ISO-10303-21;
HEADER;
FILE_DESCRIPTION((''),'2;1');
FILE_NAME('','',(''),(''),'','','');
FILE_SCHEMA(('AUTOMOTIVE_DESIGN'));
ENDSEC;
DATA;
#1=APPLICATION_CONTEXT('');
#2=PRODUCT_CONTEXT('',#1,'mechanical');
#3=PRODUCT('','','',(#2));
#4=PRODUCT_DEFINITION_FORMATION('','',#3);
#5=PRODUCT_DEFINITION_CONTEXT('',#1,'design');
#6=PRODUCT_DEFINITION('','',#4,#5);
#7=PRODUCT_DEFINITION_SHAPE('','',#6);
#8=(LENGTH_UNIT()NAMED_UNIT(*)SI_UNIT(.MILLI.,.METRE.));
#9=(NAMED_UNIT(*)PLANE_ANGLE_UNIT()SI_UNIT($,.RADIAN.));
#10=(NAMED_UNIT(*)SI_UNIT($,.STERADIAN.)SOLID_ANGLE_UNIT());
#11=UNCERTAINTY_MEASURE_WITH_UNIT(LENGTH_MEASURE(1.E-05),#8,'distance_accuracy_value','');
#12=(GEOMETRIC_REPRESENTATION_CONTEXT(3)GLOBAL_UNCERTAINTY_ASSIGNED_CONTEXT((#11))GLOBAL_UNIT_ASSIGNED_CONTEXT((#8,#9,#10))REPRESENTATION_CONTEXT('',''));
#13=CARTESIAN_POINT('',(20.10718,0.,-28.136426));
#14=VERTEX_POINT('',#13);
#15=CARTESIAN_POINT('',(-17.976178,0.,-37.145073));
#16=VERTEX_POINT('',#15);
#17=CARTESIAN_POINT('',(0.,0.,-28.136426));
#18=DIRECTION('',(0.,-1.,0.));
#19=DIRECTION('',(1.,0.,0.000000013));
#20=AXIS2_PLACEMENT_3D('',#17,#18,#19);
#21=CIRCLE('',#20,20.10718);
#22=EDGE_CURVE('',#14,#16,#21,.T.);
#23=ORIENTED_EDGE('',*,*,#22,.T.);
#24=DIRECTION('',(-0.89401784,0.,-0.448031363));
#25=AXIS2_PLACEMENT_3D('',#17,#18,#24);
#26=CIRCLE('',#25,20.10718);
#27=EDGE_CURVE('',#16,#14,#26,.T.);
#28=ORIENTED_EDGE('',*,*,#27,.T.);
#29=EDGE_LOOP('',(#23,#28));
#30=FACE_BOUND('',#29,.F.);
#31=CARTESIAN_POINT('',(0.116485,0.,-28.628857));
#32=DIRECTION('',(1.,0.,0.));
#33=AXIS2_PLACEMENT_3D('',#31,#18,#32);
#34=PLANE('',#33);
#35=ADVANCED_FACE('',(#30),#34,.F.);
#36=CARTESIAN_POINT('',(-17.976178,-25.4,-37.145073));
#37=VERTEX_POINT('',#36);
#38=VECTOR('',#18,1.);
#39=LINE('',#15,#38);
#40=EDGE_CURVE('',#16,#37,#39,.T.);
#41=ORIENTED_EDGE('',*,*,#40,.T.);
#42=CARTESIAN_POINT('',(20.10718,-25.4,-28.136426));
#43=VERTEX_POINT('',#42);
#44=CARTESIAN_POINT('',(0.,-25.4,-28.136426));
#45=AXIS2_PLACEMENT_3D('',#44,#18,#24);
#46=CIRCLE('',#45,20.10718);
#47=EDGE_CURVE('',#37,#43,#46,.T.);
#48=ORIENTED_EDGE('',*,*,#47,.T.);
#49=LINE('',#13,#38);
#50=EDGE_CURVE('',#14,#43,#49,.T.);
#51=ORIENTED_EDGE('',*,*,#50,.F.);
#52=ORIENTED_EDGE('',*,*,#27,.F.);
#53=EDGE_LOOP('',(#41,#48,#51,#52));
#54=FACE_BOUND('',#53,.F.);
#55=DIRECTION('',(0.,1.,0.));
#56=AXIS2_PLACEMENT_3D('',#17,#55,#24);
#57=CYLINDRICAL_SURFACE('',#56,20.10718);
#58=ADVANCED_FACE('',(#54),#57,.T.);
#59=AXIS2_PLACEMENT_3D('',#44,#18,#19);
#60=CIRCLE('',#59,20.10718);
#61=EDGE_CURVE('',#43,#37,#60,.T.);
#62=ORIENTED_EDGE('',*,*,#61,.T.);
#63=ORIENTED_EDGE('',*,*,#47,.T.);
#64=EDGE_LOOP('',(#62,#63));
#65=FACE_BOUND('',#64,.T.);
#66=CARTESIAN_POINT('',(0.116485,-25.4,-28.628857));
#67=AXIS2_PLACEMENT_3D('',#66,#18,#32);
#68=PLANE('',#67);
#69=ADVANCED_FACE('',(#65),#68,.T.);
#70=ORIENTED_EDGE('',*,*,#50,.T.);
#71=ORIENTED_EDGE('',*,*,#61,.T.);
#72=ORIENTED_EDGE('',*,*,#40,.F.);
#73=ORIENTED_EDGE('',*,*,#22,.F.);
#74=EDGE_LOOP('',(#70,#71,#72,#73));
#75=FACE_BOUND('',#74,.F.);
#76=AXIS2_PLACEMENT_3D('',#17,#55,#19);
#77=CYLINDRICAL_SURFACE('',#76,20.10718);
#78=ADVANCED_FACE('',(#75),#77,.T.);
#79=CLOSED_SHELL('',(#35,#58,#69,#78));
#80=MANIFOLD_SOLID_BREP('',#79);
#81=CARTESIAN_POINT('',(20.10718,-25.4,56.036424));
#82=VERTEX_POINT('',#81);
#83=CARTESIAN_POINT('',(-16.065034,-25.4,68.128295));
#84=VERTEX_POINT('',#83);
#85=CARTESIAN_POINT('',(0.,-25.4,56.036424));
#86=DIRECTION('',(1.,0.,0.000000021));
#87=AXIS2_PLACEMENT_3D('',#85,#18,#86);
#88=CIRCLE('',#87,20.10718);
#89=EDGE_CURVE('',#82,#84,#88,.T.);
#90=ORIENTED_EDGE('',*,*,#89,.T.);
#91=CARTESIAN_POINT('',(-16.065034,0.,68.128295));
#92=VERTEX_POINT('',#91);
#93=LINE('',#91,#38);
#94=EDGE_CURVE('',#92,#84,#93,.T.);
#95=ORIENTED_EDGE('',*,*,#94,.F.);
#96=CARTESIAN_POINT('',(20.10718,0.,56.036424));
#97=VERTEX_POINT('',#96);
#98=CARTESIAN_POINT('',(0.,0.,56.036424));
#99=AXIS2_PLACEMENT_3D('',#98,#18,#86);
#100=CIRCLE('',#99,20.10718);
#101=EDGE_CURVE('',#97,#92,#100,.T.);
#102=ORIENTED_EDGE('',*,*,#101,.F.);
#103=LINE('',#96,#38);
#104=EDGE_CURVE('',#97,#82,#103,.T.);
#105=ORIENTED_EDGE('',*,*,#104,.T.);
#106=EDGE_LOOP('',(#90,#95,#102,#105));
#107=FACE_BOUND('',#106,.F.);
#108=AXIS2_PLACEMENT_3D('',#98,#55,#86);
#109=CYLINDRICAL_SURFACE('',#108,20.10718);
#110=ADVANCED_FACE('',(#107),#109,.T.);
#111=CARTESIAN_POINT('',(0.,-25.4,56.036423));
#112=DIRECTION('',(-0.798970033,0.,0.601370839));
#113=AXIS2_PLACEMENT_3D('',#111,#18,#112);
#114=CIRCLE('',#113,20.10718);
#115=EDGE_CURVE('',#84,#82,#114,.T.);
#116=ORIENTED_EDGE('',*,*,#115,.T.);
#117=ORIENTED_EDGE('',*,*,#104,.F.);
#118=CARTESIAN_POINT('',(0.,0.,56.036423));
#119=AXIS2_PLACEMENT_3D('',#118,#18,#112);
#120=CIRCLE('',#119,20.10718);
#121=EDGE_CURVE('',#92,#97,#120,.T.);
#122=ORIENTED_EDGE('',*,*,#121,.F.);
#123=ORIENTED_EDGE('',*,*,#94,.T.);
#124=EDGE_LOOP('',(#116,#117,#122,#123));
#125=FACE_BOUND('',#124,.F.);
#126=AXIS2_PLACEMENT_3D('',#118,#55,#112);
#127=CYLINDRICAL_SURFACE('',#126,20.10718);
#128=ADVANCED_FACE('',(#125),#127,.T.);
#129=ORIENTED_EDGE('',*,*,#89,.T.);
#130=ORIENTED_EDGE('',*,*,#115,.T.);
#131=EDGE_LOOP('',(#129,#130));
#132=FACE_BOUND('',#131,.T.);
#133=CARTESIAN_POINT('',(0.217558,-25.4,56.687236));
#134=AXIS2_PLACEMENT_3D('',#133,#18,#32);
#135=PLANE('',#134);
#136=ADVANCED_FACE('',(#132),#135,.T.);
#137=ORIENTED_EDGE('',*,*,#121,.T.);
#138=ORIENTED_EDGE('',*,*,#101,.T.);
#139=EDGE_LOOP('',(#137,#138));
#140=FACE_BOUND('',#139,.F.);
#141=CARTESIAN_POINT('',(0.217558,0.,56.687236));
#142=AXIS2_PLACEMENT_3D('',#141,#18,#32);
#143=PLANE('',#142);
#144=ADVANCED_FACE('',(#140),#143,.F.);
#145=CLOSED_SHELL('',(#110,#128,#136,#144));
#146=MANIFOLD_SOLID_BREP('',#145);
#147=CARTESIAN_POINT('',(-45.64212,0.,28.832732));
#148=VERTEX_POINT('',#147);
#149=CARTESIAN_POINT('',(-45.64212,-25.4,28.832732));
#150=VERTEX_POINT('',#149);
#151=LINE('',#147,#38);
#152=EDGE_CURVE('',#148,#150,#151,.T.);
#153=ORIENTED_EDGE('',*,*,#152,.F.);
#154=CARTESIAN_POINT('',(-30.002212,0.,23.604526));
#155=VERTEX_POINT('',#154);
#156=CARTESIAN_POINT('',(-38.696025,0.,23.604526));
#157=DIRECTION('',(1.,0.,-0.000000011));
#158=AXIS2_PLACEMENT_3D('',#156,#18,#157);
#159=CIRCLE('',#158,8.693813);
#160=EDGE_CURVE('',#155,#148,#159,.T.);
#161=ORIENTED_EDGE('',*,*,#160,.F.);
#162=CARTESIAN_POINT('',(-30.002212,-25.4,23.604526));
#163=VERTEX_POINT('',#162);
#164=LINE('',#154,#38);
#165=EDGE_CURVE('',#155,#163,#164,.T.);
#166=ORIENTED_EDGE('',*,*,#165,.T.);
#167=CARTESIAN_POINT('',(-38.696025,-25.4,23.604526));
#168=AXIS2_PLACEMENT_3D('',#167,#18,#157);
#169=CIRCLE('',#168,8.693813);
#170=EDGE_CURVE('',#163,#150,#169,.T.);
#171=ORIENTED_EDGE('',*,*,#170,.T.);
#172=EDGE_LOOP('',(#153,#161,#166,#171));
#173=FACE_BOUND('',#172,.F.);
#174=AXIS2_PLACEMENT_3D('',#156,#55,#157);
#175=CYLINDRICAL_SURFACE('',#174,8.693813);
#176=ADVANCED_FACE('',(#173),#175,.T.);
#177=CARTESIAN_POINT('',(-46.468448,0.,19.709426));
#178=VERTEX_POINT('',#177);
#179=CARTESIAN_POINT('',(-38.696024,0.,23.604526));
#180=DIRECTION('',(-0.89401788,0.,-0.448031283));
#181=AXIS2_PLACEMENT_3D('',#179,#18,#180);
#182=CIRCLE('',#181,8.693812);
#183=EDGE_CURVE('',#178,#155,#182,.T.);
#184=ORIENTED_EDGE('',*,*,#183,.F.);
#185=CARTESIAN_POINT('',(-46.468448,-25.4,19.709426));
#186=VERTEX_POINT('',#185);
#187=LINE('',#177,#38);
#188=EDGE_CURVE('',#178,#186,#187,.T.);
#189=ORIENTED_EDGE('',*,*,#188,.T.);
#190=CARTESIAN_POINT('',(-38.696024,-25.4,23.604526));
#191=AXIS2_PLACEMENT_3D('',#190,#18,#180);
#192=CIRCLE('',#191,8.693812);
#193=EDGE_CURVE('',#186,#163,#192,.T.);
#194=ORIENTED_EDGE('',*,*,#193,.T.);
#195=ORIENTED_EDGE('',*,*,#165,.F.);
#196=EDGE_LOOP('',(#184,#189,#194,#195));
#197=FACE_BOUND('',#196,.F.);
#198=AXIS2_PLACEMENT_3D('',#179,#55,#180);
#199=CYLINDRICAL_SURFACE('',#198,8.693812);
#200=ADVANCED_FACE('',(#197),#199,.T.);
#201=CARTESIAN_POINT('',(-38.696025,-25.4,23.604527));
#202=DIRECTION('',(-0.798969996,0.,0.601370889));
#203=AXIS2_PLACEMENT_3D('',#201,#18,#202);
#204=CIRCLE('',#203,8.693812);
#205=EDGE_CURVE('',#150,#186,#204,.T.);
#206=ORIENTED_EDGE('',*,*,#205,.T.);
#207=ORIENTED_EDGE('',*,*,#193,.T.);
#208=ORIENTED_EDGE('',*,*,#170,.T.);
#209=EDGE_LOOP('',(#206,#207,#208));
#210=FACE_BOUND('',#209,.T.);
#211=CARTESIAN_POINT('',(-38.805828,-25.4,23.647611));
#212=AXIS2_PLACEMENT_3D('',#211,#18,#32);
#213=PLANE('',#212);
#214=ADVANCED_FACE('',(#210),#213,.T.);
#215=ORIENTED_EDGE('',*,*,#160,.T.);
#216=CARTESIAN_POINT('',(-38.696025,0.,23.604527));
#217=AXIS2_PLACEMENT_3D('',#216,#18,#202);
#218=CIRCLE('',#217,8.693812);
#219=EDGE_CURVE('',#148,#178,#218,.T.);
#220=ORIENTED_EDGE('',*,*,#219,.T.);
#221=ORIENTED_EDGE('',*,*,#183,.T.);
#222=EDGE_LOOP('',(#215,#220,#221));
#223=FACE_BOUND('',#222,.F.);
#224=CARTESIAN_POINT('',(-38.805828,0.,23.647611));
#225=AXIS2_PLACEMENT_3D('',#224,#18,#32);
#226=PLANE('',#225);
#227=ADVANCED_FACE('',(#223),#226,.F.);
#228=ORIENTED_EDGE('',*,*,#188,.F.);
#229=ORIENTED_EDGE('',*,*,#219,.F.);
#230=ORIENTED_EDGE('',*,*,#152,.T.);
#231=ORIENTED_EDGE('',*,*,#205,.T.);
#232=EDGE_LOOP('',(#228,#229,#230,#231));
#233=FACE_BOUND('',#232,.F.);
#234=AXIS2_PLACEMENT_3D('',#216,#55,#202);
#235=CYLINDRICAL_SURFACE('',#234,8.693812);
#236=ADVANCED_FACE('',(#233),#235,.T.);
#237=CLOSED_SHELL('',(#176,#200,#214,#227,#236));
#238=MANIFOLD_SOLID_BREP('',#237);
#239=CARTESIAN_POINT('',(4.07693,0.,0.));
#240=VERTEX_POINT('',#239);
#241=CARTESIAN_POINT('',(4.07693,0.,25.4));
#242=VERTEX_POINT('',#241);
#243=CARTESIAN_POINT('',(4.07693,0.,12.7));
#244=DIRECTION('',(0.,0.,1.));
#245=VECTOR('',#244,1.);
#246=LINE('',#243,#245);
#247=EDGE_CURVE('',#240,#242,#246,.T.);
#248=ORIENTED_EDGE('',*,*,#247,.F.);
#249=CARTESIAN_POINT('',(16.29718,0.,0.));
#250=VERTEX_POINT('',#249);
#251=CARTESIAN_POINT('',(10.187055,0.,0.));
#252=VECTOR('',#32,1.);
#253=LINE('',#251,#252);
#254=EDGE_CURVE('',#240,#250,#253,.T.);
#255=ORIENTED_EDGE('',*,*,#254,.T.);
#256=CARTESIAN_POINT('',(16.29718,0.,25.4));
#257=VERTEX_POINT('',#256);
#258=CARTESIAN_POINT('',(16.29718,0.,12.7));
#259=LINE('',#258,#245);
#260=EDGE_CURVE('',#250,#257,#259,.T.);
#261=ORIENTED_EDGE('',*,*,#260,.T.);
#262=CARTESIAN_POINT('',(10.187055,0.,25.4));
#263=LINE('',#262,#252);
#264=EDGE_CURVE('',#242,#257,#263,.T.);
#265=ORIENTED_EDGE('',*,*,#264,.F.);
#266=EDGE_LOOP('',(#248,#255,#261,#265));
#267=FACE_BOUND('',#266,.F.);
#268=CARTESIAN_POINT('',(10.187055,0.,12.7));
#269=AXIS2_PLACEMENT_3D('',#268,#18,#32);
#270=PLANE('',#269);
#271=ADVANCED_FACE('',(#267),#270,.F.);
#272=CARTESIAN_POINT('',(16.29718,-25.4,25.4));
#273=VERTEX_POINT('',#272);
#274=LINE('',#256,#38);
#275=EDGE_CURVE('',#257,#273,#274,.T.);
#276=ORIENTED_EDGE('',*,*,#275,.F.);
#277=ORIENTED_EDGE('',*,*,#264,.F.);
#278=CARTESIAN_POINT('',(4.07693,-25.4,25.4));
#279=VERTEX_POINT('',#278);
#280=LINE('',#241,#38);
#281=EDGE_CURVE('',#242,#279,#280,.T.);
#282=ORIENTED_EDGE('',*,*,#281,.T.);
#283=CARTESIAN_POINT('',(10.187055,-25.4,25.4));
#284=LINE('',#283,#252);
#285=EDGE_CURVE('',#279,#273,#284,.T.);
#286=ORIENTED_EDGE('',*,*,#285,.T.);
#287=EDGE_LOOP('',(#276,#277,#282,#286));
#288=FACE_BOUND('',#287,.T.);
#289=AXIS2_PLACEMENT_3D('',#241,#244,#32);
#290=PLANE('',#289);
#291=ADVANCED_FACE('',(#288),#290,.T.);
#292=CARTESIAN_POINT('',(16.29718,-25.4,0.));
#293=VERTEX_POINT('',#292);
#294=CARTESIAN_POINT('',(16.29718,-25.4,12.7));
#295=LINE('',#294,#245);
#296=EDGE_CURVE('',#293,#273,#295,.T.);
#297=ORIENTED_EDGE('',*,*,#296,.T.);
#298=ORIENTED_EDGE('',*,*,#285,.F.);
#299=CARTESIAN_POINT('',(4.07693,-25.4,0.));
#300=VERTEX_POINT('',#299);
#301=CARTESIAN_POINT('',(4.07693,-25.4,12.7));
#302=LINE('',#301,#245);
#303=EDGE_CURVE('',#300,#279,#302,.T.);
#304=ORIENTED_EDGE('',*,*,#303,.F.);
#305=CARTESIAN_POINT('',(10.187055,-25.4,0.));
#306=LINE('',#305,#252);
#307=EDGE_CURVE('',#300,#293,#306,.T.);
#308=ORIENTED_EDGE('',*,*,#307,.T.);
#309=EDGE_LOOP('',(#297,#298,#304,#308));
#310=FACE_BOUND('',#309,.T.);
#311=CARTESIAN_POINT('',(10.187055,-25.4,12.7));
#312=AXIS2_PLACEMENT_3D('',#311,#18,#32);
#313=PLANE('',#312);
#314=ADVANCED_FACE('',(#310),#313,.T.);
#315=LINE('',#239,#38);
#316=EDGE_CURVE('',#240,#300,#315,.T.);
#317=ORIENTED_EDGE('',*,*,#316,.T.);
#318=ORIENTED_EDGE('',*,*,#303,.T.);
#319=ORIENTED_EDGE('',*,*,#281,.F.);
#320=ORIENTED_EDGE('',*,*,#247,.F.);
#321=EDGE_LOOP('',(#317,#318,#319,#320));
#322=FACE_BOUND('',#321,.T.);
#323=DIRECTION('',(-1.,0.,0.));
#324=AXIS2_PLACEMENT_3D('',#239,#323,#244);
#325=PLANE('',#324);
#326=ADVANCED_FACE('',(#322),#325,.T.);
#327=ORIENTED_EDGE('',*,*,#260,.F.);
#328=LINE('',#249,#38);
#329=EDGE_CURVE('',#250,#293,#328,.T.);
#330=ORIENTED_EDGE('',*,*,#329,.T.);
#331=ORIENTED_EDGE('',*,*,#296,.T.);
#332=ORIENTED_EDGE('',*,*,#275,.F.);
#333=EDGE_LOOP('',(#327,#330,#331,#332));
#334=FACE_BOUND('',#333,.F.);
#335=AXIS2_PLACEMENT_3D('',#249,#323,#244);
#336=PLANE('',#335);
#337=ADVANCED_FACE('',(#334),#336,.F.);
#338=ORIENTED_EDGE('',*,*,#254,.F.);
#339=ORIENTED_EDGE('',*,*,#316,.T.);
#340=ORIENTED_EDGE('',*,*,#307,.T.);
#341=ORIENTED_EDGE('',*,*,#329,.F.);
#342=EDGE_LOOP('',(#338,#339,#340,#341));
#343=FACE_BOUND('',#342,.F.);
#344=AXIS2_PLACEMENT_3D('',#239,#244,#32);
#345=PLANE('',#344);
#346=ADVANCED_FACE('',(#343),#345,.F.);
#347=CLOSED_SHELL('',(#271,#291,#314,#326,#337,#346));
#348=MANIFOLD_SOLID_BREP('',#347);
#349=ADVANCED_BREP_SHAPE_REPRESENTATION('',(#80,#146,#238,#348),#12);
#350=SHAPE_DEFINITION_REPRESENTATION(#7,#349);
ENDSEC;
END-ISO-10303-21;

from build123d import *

# Parameters (mm, degrees)
F0_W     = 12.22025
F0_H     = 25.4
F1_DEPTH = 25.4


with BuildPart() as f1:
    # F0 (on Front) → F1 (new body)
    with BuildSketch(Plane.XZ):
        with BuildLine():
            ThreePointArc((-16.065034, 68.128295), (-6.3748, 36.966536), (20.10718, 56.036424))
            ThreePointArc((20.10718, 56.036424), (6.3748, 75.106311), (-16.065034, 68.128295))
        make_face()
        with BuildLine():
            ThreePointArc((-17.976178, -37.145073), (4.628631, -47.703604), (20.10718, -28.136426))
            ThreePointArc((20.10718, -28.136426), (-4.628631, -8.569248), (-17.976178, -37.145073))
        make_face()
        with BuildLine():
            ThreePointArc((-30.002212, 23.604526), (-35.93973, 31.849841), (-45.64212, 28.832732))
            ThreePointArc((-45.64212, 28.832732), (-47.354395, 24.388744), (-46.468448, 19.709426))
            ThreePointArc((-46.468448, 19.709426), (-36.694727, 15.144196), (-30.002212, 23.604526))
        make_face()
        with Locations((10.187055, 12.7)):
            Rectangle(F0_W, F0_H)
    extrude(amount=F1_DEPTH)


solid = f1.part
